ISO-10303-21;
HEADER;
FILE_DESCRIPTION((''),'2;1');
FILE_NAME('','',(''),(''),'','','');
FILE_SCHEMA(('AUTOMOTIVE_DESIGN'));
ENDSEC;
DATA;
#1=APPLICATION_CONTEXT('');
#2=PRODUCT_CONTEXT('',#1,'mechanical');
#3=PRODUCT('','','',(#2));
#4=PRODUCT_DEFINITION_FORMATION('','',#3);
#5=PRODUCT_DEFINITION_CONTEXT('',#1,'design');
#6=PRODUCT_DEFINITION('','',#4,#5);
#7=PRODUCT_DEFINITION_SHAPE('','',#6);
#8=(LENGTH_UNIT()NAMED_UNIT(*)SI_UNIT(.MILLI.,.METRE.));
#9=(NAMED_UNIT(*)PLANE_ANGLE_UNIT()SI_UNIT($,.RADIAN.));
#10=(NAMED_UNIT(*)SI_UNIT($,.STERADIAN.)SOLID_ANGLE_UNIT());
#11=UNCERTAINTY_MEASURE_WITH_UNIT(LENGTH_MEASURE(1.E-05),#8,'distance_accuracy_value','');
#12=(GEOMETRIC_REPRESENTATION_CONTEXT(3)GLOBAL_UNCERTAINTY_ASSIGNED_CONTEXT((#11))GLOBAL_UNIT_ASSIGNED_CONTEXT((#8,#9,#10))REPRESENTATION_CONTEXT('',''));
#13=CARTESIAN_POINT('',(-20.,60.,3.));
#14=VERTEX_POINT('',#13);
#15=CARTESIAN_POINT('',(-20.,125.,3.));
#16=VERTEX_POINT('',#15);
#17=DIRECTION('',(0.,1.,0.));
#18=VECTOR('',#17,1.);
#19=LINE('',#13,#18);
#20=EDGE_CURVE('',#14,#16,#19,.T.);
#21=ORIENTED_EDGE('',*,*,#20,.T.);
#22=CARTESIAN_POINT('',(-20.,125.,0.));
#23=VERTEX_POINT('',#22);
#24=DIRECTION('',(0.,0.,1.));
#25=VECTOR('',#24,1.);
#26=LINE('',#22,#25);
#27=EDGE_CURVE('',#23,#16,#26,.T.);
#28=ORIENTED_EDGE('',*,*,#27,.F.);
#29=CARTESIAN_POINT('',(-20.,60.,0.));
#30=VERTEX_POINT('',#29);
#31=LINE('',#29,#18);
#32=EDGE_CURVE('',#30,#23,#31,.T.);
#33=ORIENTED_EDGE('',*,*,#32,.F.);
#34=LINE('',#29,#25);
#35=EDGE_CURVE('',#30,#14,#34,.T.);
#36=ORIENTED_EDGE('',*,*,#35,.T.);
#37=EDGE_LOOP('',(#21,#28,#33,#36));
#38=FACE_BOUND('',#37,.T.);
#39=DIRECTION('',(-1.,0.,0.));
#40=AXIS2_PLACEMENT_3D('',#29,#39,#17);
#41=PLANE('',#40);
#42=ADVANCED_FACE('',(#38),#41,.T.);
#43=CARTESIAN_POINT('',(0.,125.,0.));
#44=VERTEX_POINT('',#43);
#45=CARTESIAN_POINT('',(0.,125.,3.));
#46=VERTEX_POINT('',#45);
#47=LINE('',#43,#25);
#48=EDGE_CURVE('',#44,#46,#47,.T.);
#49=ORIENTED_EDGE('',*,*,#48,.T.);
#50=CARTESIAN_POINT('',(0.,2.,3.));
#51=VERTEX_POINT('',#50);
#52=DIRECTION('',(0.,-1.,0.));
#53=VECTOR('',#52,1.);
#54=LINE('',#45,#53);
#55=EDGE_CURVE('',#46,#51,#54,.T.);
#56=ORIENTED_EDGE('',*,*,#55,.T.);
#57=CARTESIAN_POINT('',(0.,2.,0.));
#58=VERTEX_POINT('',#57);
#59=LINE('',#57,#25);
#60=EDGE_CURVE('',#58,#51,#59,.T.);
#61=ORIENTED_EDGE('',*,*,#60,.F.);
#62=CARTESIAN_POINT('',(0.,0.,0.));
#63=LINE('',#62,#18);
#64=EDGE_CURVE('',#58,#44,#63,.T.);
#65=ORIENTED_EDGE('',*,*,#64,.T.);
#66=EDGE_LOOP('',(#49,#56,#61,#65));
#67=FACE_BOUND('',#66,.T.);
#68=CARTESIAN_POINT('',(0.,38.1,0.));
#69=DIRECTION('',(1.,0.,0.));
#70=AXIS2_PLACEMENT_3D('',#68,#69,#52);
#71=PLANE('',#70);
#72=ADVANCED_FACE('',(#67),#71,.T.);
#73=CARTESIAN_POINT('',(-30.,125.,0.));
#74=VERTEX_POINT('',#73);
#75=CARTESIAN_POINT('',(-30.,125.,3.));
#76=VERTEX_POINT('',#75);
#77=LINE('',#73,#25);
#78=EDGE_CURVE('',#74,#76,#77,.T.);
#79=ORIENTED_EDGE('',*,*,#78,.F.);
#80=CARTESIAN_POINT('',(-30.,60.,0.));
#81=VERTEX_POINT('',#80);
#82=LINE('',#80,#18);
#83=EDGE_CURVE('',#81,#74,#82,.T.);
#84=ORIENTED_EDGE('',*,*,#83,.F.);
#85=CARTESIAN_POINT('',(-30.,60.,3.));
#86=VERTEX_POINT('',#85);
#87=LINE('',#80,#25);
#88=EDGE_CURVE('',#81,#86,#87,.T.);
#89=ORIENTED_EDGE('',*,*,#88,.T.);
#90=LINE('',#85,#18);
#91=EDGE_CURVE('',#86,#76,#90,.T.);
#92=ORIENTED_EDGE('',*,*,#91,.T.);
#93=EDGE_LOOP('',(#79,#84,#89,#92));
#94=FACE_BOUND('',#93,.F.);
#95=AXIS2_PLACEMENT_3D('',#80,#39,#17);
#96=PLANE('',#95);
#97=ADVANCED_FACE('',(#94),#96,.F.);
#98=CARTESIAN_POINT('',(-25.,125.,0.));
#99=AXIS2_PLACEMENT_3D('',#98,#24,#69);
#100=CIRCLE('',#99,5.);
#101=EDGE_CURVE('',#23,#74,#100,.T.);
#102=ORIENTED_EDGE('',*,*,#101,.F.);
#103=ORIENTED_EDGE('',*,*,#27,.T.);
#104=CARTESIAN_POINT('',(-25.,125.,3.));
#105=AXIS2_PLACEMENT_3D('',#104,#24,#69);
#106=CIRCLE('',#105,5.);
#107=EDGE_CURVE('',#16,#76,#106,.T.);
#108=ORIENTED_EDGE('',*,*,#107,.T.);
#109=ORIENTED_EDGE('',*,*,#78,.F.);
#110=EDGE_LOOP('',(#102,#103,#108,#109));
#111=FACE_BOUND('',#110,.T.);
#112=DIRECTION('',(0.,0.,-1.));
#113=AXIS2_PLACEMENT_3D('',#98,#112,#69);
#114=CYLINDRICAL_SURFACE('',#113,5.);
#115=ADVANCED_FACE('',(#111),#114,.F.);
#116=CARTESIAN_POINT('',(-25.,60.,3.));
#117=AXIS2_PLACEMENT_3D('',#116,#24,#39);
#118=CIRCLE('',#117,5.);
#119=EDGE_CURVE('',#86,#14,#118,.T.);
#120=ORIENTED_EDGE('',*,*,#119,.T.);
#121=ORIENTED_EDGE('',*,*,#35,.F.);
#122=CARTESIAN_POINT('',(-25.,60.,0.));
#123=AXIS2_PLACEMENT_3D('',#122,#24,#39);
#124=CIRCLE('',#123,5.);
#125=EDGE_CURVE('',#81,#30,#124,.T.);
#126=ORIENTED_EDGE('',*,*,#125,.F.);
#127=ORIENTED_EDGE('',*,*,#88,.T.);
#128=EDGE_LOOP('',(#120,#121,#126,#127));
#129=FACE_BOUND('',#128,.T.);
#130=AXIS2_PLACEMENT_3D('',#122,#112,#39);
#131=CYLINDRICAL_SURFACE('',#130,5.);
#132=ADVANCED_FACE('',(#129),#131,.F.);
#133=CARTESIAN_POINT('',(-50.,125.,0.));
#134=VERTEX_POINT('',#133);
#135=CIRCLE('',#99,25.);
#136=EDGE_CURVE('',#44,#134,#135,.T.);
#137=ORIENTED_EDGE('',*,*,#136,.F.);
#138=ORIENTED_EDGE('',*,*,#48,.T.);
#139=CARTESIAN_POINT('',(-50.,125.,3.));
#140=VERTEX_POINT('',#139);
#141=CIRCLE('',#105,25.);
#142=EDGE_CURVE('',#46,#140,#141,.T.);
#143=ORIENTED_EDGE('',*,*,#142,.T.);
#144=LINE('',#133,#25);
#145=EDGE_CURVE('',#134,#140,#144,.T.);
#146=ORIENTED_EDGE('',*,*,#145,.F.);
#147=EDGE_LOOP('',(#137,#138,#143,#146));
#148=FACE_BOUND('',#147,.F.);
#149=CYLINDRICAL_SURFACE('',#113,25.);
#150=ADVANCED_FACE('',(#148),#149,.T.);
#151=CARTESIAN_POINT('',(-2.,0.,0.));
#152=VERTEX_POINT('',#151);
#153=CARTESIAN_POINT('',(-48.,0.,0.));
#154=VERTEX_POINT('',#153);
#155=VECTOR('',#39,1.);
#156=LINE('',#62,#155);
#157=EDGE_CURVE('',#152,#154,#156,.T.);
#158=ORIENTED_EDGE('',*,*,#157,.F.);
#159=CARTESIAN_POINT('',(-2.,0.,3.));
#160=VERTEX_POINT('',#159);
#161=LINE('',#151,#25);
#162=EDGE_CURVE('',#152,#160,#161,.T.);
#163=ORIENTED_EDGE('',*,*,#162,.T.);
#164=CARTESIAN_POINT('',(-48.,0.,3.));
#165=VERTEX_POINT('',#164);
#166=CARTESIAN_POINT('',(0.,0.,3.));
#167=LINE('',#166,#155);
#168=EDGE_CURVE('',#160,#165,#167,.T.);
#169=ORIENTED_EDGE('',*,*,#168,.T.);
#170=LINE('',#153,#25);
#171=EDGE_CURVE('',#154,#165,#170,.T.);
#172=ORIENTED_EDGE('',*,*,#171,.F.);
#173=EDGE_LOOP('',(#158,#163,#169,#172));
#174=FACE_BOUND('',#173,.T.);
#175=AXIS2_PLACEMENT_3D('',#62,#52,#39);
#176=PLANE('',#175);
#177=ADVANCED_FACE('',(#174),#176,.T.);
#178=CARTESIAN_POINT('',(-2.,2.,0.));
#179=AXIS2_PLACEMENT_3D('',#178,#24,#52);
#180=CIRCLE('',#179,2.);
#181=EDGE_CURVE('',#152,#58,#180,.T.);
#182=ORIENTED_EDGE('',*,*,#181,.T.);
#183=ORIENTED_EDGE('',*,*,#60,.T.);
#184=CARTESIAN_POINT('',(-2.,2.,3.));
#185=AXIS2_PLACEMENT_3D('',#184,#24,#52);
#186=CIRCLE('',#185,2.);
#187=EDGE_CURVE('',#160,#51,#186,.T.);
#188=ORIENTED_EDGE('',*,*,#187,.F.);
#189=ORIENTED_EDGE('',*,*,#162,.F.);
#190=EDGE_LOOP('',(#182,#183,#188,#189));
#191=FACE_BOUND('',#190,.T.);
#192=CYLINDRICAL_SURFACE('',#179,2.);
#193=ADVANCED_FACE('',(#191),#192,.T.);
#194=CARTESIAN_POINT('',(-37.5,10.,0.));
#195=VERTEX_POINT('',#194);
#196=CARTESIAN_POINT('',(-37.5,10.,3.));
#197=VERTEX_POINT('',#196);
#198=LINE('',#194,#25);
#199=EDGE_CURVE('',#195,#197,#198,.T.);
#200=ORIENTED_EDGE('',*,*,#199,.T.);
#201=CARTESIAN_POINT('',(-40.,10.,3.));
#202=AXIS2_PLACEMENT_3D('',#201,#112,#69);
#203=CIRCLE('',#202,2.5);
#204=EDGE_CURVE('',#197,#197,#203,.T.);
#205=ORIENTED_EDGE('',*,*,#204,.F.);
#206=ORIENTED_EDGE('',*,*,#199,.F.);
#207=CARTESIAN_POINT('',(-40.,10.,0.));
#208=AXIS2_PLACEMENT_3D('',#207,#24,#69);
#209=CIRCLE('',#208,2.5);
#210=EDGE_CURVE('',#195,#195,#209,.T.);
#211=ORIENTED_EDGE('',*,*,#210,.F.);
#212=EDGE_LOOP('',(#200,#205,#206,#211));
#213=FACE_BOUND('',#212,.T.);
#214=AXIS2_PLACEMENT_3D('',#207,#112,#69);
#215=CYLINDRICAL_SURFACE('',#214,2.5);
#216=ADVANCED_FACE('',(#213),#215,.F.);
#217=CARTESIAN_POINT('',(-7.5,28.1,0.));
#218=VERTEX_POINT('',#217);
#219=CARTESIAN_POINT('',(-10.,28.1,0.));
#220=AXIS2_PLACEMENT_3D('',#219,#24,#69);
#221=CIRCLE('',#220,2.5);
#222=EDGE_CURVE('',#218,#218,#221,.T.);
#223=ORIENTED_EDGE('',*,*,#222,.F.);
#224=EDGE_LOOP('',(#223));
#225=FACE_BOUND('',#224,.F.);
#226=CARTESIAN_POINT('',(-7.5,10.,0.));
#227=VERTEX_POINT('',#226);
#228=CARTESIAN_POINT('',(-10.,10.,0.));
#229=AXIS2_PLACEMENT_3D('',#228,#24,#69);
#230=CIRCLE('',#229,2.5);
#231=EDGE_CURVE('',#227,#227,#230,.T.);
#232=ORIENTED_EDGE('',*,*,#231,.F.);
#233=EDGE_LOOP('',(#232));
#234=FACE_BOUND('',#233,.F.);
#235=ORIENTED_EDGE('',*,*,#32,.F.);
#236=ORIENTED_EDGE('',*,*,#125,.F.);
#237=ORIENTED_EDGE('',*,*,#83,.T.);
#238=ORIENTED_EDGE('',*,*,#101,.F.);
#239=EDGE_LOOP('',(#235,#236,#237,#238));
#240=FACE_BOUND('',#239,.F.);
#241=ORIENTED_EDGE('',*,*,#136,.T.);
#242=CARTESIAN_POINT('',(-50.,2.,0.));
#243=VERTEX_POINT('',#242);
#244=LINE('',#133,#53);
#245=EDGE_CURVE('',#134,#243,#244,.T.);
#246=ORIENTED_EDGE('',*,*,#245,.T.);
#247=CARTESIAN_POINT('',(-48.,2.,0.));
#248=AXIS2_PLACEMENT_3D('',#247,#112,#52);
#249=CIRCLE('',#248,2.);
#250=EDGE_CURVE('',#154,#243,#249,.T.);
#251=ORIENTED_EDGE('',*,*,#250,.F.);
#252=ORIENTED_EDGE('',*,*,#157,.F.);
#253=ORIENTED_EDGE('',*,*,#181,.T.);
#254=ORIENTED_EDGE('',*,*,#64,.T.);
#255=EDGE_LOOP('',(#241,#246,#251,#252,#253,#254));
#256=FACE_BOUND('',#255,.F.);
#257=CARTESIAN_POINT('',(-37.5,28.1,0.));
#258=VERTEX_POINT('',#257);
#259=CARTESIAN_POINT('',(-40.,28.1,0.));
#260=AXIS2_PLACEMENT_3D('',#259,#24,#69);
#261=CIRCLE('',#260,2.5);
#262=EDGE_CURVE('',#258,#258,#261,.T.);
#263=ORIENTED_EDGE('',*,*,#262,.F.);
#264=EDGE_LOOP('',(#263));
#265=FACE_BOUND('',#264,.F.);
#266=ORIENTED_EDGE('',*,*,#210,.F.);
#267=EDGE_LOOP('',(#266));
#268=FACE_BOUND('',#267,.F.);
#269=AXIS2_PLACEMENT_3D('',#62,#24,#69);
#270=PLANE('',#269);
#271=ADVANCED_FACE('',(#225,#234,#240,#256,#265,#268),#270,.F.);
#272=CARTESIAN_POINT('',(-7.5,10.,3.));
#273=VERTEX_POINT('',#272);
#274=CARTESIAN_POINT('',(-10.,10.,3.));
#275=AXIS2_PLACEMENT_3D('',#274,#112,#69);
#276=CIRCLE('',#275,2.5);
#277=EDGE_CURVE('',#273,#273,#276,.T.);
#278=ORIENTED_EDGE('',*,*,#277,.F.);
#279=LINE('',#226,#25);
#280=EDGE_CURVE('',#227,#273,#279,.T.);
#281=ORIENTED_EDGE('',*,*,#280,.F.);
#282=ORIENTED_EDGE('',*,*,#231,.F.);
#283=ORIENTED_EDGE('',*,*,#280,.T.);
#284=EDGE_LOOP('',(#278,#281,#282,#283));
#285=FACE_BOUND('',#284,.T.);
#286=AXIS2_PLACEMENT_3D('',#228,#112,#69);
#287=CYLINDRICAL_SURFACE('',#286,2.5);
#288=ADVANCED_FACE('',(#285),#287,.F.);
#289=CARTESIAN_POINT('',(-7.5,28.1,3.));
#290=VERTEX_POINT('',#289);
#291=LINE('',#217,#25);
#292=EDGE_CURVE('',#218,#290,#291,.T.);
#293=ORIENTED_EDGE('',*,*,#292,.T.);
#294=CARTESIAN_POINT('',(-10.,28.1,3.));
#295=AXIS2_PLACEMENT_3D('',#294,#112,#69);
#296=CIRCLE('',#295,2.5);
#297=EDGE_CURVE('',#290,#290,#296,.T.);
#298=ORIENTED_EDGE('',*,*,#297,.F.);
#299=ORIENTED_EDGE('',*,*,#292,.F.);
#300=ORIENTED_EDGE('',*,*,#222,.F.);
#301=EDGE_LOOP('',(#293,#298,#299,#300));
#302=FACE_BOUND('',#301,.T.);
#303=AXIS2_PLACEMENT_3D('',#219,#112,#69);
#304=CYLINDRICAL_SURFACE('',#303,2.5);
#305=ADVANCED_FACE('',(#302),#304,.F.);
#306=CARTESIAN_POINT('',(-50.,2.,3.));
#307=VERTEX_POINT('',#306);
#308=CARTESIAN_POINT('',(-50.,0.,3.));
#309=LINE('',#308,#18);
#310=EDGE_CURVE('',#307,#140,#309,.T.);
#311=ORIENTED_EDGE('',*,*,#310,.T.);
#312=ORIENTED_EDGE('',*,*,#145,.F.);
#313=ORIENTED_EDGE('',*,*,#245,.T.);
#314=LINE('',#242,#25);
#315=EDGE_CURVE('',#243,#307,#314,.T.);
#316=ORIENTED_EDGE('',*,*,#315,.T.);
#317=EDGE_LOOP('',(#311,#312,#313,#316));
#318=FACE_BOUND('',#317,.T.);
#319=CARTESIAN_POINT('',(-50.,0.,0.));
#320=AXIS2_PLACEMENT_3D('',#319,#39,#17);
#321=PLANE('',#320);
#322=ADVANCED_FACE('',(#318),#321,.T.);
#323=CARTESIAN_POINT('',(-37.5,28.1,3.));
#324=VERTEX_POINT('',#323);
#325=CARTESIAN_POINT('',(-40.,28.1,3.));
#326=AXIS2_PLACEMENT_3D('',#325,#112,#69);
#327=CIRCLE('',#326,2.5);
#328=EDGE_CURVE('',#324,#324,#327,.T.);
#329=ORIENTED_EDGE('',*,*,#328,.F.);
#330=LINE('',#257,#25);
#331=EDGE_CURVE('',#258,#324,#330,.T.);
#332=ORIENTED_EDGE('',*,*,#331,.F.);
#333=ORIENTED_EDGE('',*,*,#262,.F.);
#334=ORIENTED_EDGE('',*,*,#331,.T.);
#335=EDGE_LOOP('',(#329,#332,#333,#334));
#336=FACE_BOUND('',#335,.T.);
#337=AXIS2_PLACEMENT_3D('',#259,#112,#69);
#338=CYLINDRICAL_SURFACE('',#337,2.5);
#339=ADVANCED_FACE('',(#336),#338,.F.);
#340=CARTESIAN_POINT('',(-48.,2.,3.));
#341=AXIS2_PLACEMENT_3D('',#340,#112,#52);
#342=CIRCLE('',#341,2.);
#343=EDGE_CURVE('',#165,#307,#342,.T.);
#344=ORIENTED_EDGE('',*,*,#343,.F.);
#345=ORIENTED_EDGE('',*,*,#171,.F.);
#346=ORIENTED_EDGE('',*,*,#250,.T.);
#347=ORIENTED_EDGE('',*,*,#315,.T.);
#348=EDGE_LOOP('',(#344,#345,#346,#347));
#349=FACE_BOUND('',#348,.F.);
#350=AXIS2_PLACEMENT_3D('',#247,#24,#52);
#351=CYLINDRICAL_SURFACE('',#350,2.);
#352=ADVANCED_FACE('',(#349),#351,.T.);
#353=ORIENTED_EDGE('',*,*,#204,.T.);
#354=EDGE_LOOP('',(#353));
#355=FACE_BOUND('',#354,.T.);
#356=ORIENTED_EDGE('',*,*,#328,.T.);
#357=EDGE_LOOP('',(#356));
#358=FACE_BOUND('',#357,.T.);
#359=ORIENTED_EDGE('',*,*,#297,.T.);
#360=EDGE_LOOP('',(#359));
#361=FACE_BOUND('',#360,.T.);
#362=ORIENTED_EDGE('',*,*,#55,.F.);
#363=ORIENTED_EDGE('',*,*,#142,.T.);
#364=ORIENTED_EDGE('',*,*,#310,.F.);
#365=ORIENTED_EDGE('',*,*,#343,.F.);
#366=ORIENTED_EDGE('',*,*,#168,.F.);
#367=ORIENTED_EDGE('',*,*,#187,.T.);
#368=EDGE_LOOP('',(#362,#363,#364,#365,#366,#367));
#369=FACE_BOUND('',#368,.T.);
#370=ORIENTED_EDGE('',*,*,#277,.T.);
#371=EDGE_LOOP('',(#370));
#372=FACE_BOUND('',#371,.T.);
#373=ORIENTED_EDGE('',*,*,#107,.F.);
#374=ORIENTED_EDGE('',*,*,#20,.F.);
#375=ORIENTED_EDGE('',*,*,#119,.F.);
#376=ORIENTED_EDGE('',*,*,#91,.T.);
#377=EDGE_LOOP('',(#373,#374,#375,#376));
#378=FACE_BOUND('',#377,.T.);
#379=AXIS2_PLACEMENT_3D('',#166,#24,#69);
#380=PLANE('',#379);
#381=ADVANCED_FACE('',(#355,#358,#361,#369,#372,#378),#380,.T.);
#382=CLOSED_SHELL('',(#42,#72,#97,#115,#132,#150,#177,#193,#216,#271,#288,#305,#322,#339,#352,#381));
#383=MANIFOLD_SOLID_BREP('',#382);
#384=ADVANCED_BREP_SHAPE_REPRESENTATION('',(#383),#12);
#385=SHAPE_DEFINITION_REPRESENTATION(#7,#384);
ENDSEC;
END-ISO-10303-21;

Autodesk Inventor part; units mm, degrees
ref_plane "YZ Plane" through (0, 0, 0) normal (1, 0, 0) x (0, 1, 0)
ref_plane "XZ Plane" through (0, 0, 0) normal (0, 1, 0) x (-1, 0, 0)
ref_plane "XY Plane" through (0, 0, 0) normal (0, 0, 1) x (1, 0, 0)
sketch "Boceto1" plane through (0, 0, 0) normal (0, 0, 1) x (1, 0, 0)
  line L0 (0, 0) -> (-50, 0)
  line L1 (-50, 0) -> (-50, 125)
  line L2 (0, 125) -> (0, 0)
  arc A0 (0, 125) -> (-50, 125) centre (-25, 125) ccw
  arc A1 (-20, 125) -> (-30, 125) centre (-25, 125) ccw
  line L3 (-25, 67.5) -> (-25, 60)
  arc A2 (-30, 60) -> (-20, 60) centre (-25, 60) ccw
  line L4 (-30, 60) -> (-30, 125)
  line L5 (-20, 60) -> (-20, 125)
  line L6 (0, 0) -> (-50, 0)
  line L7 (-50, 0) -> (-50, 38.1)
  line L8 (-50, 38.1) -> (0, 38.1)
  line L9 (0, 38.1) -> (0, 0)
  line L10 (-10, 28.1) -> (-40, 28.1)
  line L11 (-40, 28.1) -> (-40, 10)
  line L12 (-40, 10) -> (-10, 10)
  line L13 (-10, 10) -> (-10, 28.1)
  circle A3 centre (-40, 28.1) radius 2.5
  circle A4 centre (-10, 28.1) radius 2.5
  circle A5 centre (-40, 10) radius 2.5
  circle A6 centre (-10, 10) radius 2.5
  point P0 (-12.5, 10)
  point P1 (-10, 12.5)
  point P2 (-10, 25.6)
  point P3 (-12.5, 28.1)
  point P4 (-37.5, 28.1)
  point P5 (-40, 25.6)
  point P6 (-40, 12.5)
  point P7 (-37.5, 10)
  dimension "d2" = 10
  dimension "d3" = 65
  dimension "d4" = 10
  dimension "d5" = 38.1
  dimension "d6" = 10
  dimension "d7" = 5
  dimension "d8" = 5
  dimension "d9" = 5
  dimension "d10" = 5
extrude "Extrusión1" add sketch "Boceto1" along normal blind 3 contours L0 L1 L8 L2 | L8 L1 A0 L2 | L5 A2 L4 A1 | A3 L11 L10 | L10 L11 A3 | L10 A4 L13 A6 L12 A5 L11 A3 | A4 L13 L10 | L10 L13 A4 | A5 L12 L11 | L11 L12 A5 | A6 L12 L13 | L13 L12 A6
fillet "Empalme1" radius 2 2 edges at (0, 0, 1.5) (-50, 0, 1.5)
extrude "Extrusión2" cut sketch "Boceto1" along normal blind 3 contours L5 A2 L4 A1 | A3 L11 L10 | L10 L11 A3 | A4 L13 L10 | L10 L13 A4 | A5 L12 L11 | L11 L12 A5 | A6 L12 L13 | L13 L12 A6
